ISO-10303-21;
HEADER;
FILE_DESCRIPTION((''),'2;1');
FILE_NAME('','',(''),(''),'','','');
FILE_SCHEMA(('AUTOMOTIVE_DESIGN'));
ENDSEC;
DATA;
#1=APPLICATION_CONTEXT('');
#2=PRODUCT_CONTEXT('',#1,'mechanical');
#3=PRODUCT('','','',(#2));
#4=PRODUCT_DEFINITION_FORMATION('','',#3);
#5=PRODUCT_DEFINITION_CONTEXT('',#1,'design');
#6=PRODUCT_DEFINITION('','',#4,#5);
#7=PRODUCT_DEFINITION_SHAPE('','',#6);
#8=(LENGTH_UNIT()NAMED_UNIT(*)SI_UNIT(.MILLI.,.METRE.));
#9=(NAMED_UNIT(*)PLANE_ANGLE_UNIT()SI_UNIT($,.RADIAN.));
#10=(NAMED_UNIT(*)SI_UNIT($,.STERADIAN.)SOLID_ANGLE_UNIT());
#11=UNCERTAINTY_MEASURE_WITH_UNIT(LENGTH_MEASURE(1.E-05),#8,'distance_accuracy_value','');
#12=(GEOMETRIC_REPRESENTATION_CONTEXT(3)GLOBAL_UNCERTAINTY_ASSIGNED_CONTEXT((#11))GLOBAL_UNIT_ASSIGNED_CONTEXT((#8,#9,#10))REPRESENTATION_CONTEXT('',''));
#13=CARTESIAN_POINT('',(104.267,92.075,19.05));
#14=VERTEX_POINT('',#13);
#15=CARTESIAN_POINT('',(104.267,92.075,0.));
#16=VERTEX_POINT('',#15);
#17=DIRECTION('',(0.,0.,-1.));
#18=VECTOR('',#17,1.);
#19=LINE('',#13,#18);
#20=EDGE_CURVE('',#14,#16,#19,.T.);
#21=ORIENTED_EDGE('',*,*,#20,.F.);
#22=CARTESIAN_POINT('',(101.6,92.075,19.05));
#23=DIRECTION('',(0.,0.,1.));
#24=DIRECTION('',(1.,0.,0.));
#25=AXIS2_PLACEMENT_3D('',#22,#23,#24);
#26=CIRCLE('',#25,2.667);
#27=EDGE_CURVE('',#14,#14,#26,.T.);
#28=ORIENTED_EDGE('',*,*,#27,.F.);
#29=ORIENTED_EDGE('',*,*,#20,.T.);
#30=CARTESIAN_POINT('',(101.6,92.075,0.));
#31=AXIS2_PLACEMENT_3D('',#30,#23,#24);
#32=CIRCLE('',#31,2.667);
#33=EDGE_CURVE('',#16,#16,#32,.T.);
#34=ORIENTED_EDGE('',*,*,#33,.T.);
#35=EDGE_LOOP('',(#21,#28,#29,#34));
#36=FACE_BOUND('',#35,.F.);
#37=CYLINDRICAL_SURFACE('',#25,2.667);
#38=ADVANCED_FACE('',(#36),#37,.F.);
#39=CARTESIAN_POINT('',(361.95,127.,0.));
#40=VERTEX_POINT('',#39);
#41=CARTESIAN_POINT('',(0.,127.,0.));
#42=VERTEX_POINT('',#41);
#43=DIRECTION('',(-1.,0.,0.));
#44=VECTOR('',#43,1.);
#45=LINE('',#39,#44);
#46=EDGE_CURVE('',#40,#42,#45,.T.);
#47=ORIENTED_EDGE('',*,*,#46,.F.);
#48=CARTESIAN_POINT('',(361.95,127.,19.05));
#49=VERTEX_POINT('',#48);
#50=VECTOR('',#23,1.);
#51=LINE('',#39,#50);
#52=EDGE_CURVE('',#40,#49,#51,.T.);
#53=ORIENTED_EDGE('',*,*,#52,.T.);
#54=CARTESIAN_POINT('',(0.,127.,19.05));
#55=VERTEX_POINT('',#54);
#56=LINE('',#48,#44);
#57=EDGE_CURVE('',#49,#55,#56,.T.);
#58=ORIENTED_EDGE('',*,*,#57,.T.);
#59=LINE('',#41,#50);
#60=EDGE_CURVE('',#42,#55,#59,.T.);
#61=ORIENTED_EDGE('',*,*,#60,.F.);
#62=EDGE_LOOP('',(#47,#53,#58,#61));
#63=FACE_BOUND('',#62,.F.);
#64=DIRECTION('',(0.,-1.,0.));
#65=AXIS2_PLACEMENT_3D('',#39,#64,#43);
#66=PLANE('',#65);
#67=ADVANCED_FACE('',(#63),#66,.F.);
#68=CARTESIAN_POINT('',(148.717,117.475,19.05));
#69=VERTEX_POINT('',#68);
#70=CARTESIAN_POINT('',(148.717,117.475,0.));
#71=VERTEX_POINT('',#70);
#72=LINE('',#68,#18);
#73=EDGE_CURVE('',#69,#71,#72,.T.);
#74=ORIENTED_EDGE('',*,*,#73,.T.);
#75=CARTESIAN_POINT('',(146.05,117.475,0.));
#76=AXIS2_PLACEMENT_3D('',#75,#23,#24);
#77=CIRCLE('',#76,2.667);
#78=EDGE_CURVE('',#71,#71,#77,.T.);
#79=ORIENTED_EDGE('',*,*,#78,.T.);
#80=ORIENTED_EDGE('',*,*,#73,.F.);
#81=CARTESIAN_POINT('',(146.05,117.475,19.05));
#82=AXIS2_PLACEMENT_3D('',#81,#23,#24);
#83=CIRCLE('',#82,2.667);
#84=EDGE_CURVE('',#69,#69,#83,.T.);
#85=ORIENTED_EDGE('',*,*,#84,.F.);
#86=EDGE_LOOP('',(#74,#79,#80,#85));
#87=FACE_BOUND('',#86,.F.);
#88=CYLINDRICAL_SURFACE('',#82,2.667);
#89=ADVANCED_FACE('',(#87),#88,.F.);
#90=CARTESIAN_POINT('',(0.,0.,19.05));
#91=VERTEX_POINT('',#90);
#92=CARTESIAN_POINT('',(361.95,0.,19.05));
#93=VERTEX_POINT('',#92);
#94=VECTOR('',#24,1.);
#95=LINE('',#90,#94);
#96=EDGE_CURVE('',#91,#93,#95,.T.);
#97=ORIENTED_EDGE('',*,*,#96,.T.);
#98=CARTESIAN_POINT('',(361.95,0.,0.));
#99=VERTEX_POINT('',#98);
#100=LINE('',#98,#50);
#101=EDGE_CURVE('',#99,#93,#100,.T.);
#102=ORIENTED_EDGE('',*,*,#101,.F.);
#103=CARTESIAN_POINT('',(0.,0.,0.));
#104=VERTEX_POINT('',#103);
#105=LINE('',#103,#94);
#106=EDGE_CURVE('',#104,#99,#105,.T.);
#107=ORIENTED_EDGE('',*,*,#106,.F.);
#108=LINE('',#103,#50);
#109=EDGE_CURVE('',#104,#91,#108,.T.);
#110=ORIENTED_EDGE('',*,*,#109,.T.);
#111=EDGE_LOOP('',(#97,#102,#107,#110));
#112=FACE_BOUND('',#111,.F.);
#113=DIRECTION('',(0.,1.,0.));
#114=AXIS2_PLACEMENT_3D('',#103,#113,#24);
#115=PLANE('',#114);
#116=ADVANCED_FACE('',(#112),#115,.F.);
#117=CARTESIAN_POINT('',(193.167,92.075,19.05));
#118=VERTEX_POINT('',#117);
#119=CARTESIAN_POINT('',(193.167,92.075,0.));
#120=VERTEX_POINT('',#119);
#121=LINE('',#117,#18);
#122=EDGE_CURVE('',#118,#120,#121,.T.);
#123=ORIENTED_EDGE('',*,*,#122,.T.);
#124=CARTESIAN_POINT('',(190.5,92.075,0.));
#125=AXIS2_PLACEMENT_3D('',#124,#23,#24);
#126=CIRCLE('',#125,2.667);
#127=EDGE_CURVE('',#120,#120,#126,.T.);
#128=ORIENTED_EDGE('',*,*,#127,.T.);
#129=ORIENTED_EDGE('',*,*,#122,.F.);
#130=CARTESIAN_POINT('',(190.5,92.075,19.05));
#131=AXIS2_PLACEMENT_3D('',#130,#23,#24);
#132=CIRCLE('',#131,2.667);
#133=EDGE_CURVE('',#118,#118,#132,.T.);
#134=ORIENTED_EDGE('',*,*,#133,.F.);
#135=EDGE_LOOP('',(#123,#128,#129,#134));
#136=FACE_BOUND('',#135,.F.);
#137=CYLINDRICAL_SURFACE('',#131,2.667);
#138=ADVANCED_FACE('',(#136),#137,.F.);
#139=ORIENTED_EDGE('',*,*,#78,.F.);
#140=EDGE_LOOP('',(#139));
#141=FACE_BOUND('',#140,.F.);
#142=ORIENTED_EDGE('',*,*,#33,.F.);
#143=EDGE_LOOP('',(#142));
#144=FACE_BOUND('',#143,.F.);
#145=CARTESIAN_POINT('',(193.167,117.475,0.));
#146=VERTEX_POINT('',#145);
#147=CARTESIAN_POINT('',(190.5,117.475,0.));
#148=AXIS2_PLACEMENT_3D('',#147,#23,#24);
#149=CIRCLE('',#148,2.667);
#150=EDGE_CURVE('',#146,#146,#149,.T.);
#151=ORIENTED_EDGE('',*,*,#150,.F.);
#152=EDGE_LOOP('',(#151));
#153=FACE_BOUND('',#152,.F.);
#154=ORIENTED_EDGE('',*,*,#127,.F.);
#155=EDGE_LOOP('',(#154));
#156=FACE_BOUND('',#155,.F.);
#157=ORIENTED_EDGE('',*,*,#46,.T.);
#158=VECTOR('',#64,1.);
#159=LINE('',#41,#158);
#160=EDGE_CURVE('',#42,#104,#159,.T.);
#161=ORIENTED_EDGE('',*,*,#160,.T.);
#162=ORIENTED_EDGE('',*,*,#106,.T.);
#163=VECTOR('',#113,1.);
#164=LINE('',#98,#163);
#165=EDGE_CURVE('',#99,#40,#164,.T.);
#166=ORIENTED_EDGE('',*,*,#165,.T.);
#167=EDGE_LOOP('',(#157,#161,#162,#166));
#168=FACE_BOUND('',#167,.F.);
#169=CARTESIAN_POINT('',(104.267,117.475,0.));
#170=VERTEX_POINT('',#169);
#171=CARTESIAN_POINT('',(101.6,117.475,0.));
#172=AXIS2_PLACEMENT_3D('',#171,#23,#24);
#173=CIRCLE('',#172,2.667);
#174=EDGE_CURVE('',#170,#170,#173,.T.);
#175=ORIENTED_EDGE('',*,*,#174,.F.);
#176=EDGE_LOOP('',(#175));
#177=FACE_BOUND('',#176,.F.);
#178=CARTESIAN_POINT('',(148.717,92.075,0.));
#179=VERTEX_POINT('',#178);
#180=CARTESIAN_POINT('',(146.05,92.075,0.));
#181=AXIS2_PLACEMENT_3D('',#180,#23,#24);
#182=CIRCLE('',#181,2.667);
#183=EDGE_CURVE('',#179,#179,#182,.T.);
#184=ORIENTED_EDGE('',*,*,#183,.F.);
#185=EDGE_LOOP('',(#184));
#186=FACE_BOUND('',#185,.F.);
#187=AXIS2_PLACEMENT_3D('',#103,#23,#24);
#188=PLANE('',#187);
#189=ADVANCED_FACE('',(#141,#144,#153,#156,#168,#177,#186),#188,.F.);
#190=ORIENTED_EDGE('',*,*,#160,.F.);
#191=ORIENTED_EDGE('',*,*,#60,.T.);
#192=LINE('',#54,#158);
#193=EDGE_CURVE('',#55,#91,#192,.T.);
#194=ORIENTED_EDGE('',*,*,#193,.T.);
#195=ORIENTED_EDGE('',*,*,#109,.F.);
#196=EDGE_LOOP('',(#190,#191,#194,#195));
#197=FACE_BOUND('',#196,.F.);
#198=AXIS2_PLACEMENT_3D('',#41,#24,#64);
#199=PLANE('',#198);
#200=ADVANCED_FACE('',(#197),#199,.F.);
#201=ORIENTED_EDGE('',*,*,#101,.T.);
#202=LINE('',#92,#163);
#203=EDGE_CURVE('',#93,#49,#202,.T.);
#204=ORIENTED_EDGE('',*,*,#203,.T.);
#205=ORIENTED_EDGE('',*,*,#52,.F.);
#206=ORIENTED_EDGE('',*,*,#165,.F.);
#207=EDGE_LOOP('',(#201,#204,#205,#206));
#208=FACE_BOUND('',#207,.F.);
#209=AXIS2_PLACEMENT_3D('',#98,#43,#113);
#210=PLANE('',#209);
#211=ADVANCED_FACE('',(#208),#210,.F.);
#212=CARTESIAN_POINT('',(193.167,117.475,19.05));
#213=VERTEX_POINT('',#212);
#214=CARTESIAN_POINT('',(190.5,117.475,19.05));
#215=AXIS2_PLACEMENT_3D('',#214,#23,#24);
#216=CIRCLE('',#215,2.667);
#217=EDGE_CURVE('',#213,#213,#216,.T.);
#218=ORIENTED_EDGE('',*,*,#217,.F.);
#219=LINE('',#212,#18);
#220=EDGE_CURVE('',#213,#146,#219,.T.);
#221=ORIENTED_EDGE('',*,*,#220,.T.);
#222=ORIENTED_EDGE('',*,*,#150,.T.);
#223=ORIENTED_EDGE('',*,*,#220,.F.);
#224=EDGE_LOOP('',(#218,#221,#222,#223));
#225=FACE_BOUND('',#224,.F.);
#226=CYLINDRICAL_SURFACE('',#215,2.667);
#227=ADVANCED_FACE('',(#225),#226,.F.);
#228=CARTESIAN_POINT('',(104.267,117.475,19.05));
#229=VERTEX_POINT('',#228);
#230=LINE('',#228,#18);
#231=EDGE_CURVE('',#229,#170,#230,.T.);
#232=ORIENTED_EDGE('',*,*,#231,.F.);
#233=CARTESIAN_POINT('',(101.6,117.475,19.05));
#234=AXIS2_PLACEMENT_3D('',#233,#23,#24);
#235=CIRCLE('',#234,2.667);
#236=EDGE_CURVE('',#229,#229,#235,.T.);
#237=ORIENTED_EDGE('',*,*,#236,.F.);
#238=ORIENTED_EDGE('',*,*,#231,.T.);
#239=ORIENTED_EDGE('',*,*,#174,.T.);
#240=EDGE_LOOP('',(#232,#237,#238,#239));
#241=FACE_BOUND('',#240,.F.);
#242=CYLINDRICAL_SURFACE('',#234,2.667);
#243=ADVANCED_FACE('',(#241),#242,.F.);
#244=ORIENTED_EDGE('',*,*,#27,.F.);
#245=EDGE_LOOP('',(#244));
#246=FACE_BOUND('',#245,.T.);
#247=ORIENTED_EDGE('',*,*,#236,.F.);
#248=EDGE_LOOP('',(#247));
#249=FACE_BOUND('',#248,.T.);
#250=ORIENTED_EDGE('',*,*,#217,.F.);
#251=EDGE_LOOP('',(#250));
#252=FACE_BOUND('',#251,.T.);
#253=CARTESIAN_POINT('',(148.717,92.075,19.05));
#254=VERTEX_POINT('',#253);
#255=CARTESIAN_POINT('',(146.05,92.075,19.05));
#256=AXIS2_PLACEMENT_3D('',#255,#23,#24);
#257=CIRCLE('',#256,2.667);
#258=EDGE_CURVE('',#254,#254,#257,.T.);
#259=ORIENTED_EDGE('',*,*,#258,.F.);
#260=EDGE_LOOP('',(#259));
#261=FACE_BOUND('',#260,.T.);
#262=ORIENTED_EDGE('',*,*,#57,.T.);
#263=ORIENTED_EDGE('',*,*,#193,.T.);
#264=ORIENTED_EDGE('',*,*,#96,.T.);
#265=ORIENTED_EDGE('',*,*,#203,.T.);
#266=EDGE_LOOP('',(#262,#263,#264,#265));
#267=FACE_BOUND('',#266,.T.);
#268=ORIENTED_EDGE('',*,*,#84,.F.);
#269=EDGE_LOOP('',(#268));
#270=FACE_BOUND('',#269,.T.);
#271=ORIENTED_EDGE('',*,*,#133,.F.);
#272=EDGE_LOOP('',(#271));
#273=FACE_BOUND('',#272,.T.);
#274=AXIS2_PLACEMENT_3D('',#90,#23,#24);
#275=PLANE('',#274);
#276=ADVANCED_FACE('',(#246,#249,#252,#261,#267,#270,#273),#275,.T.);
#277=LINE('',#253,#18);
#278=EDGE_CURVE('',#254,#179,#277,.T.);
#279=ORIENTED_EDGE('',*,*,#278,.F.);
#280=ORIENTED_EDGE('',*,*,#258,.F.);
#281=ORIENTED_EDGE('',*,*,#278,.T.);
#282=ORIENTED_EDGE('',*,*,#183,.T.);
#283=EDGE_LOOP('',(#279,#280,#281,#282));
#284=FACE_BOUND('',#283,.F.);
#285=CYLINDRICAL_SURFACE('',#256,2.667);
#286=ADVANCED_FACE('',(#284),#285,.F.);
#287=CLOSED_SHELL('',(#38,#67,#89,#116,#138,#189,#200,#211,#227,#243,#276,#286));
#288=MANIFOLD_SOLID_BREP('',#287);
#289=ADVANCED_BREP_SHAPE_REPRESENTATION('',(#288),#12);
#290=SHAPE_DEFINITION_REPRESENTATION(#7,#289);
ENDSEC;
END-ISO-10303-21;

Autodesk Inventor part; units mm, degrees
ref_plane "YZ Plane" through (0, 0, 0) normal (1, 0, 0) x (0, 1, 0)
ref_plane "XZ Plane" through (0, 0, 0) normal (0, 1, 0) x (-1, 0, 0)
ref_plane "XY Plane" through (0, 0, 0) normal (0, 0, 1) x (1, 0, 0)
sketch "Sketch1" plane through (0, 0, 0) normal (0, 0, 1) x (1, 0, 0)
  line L0 (0, 0) -> (361.95, 0)
  line L1 (361.95, 0) -> (361.95, 127)
  line L2 (361.95, 127) -> (0, 127)
  line L3 (0, 127) -> (0, 0)
  dimension "d0" = 361.95
  dimension "d1" = 127
extrude "Extrusion1" add sketch "Sketch1" along normal blind 19.05
sketch "Sketch2" plane through (0, 0, 19.05) normal (0, 0, 1) x (1, 0, 0)
  line L0 (361.95, 127) -> (0, 127) construction
  line L1 (0, 127) -> (101.6, 127) construction
  line L2 (101.6, 127) -> (101.6, 117.475) construction
  line L3 (101.6, 117.475) -> (146.05, 117.475) construction
  line L4 (146.05, 117.475) -> (190.5, 117.475) construction
  line L5 (190.5, 117.475) -> (190.5, 92.075) construction
  line L6 (190.5, 92.075) -> (146.05, 92.075) construction
  line L7 (146.05, 92.075) -> (101.6, 92.075) construction
  circle A0 centre (101.6, 117.475) radius 2.667
  circle A1 centre (146.05, 117.475) radius 2.667
  circle A2 centre (190.5, 117.475) radius 2.667
  circle A3 centre (190.5, 92.075) radius 2.667
  circle A4 centre (146.05, 92.075) radius 2.667
  circle A5 centre (101.6, 92.075) radius 2.667
  point P0 (0, 0)
  dimension "d4" = 101.6
  dimension "d5" = 9.525
  dimension "d6" = 44.45
  dimension "d7" = 44.45
  dimension "d8" = 25.4
  dimension "d9" = 5.334
extrude "Extrusion2" cut sketch "Sketch2" against normal blind 19.05
properties part number "Short Plank"
